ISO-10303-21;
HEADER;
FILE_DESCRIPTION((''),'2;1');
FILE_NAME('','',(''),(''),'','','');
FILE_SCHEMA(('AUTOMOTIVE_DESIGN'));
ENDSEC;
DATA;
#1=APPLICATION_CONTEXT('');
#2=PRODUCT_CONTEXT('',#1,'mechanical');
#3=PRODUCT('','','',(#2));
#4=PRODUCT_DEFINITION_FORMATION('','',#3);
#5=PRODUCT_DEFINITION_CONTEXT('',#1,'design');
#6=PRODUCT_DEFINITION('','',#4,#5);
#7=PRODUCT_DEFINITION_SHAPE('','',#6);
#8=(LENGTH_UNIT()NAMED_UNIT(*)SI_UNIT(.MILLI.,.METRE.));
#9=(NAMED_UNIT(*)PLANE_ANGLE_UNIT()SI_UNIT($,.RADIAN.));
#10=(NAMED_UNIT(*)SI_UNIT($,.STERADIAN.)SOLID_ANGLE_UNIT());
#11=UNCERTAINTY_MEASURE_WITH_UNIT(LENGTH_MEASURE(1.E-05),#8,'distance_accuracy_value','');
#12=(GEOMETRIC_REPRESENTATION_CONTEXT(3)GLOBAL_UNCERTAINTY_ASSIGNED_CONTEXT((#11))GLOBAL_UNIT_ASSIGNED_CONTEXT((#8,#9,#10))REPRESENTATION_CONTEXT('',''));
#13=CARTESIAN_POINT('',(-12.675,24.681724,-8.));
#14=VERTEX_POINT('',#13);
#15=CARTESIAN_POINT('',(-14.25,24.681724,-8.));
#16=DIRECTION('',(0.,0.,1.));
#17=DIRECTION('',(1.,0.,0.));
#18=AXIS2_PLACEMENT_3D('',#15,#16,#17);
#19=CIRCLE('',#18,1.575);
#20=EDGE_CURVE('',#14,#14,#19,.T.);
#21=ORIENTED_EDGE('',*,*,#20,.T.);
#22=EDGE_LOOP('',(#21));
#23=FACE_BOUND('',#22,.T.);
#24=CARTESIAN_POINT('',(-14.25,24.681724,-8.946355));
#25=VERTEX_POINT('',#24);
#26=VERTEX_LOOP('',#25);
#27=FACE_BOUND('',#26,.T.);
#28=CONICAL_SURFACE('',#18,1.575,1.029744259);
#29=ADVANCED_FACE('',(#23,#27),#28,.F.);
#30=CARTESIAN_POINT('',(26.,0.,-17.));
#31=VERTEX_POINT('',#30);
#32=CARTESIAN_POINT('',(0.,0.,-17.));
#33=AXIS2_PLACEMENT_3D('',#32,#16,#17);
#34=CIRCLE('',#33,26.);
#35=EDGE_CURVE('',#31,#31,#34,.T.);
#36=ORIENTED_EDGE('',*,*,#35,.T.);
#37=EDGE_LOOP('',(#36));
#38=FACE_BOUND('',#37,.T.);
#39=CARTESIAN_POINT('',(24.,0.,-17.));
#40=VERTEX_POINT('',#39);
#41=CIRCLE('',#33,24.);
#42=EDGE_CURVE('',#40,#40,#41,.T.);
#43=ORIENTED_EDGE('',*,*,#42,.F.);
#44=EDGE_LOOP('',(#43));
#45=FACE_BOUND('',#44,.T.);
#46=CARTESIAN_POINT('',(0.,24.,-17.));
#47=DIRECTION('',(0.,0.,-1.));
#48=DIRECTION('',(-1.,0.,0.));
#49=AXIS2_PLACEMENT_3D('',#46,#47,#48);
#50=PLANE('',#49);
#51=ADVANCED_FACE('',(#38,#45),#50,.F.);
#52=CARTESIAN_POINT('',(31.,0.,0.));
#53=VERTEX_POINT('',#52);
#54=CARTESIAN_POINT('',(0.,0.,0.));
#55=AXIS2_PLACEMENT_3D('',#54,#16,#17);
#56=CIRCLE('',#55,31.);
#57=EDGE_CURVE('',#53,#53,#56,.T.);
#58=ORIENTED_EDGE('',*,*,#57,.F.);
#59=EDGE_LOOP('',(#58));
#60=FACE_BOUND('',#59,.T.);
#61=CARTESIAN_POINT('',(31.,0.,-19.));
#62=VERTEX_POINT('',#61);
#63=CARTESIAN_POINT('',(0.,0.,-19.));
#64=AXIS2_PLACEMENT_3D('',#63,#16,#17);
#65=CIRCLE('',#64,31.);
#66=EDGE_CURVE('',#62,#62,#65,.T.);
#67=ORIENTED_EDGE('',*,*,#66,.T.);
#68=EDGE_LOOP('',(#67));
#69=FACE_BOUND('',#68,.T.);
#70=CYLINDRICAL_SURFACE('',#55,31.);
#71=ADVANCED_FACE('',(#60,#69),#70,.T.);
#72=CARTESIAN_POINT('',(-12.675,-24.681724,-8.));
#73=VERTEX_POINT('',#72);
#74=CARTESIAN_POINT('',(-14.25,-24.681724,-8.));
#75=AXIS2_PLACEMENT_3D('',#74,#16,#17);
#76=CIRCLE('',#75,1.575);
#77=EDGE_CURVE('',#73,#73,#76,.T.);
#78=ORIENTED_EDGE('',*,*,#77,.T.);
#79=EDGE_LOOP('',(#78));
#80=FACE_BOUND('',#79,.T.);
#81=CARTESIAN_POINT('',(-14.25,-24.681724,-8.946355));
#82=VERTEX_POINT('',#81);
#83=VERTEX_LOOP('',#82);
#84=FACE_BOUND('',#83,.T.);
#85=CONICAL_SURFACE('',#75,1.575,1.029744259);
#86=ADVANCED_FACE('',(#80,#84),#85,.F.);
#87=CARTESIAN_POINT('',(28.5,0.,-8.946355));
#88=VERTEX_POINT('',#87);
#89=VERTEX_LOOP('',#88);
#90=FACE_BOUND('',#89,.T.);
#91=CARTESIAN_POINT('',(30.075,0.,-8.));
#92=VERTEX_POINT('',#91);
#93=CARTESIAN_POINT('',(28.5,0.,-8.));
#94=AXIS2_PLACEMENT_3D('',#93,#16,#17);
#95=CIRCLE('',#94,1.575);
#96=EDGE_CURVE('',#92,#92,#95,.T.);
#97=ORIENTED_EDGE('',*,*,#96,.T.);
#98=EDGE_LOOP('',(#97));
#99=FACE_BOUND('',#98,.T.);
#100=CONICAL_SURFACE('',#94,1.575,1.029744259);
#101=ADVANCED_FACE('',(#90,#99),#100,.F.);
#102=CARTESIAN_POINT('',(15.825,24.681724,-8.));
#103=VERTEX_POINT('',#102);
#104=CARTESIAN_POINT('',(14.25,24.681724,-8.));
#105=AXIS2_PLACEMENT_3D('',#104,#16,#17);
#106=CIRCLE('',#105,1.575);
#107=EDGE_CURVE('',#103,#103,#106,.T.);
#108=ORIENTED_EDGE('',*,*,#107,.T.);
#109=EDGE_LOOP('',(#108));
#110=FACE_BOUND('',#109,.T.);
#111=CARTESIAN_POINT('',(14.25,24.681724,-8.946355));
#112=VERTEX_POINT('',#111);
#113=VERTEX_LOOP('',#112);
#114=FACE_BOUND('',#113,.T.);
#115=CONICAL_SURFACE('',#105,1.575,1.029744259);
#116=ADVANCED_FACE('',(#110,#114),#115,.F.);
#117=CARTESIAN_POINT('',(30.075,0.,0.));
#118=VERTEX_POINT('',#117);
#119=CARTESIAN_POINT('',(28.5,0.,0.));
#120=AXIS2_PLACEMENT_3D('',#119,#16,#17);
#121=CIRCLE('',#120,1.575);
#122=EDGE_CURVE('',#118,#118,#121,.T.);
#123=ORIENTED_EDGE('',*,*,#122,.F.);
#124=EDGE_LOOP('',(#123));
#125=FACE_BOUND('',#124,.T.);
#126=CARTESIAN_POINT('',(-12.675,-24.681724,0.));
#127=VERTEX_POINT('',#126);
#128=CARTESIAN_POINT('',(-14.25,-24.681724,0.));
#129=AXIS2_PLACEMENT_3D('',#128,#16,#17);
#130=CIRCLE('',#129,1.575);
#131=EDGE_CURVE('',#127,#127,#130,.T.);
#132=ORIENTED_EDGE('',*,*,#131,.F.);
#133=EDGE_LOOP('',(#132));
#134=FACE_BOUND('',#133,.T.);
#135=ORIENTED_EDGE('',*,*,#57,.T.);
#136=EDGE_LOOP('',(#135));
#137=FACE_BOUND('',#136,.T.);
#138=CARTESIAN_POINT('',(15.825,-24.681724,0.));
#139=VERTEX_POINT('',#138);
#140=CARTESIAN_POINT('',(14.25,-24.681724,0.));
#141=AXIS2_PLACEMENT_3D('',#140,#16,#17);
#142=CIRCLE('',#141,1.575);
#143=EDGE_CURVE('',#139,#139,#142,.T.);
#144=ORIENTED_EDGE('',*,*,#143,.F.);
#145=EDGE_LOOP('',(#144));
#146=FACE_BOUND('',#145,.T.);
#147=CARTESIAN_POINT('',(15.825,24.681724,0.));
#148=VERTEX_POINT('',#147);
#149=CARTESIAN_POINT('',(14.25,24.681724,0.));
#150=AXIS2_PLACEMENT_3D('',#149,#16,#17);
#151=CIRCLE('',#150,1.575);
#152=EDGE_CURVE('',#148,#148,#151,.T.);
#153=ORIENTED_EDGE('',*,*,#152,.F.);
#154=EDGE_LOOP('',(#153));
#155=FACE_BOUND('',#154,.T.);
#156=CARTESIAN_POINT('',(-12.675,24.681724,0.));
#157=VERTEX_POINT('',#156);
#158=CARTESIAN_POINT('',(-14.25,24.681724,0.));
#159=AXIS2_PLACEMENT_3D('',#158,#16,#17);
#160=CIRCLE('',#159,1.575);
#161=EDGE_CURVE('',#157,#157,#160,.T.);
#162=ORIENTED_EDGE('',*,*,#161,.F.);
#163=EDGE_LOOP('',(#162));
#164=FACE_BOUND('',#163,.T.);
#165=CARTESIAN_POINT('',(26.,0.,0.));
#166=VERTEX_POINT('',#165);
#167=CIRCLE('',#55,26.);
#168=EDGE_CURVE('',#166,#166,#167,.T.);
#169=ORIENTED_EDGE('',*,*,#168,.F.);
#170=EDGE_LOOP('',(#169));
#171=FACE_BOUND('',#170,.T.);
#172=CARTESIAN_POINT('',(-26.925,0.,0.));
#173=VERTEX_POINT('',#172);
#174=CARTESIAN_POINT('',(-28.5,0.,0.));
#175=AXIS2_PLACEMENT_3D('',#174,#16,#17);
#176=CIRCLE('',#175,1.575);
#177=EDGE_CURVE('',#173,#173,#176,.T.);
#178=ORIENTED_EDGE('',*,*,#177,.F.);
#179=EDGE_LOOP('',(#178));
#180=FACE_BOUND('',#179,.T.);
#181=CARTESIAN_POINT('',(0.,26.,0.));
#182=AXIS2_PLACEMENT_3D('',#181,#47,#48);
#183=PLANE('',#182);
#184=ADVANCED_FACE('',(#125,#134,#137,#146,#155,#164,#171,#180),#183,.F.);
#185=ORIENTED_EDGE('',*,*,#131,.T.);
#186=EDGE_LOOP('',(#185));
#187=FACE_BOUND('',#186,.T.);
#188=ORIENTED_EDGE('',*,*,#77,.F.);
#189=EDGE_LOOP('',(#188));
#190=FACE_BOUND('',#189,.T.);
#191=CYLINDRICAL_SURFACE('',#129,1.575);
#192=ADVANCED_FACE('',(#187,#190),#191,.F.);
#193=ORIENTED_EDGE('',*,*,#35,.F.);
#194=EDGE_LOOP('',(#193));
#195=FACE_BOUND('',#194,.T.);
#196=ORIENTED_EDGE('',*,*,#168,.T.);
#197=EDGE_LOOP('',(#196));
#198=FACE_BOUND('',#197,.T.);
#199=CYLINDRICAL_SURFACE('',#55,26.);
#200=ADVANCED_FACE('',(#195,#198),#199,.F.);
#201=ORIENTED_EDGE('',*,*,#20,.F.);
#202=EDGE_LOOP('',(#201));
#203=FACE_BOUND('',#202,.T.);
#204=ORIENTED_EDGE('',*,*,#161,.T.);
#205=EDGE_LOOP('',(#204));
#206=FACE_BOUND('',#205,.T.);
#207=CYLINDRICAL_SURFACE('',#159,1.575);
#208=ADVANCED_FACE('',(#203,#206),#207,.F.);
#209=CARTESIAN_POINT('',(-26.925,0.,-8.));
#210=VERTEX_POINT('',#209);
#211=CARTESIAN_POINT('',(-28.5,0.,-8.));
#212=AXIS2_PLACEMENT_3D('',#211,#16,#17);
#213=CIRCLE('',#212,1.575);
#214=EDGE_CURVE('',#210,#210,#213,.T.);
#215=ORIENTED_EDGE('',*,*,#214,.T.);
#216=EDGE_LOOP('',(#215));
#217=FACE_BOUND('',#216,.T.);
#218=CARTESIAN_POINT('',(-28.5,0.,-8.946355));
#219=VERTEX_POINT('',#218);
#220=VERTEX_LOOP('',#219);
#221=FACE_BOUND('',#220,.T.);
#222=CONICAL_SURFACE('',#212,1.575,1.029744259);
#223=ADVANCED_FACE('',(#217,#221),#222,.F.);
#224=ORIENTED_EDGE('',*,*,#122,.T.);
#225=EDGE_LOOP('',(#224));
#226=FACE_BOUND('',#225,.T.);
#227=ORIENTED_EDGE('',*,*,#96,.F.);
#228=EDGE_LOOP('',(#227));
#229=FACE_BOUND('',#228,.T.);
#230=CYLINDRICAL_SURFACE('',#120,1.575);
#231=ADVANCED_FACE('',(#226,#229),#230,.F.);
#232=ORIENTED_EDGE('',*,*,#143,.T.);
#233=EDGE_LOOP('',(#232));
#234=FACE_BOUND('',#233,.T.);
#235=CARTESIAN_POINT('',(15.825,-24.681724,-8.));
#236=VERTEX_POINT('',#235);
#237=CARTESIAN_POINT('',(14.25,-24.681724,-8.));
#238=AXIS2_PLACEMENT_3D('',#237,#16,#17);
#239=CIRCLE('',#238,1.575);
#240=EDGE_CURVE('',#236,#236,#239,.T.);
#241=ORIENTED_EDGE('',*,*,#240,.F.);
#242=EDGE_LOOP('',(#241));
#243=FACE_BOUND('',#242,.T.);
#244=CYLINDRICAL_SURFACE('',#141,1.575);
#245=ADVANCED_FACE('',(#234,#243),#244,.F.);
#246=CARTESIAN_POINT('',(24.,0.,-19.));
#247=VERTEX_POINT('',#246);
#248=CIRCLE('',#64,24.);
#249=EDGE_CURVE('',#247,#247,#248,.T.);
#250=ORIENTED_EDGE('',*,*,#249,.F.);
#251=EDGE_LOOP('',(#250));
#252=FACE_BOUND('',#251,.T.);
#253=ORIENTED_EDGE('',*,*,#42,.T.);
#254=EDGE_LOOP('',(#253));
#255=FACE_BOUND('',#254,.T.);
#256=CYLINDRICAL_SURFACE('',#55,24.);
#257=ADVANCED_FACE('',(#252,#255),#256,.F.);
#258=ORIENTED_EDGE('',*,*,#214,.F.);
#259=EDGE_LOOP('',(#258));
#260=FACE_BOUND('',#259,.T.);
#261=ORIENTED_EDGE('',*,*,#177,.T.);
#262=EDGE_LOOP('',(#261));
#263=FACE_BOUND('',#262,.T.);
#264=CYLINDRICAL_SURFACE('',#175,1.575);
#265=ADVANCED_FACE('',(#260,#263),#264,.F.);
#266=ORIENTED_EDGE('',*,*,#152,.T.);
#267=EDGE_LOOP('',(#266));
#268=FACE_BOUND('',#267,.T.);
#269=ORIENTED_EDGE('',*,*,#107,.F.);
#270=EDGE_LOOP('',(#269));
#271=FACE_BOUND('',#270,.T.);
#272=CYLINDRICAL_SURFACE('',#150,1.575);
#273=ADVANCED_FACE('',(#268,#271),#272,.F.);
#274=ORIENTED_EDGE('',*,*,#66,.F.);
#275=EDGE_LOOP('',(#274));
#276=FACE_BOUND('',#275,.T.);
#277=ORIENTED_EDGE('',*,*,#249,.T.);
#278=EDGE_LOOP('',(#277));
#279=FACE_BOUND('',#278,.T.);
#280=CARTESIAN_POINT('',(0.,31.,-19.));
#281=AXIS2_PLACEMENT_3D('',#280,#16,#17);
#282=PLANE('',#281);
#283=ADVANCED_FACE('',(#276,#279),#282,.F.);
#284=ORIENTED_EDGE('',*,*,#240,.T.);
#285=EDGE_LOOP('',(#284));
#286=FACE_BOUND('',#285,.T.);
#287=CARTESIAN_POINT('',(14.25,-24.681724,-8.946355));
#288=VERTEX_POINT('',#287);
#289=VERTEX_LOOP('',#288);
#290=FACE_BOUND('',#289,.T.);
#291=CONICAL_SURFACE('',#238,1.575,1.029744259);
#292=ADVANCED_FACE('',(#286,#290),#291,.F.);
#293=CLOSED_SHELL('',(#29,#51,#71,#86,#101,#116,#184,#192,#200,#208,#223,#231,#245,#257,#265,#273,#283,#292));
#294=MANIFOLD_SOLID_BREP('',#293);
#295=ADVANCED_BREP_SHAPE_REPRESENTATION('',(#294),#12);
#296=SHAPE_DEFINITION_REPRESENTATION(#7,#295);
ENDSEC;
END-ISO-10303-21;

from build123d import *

# Parameters (mm, degrees)
PATTERN_CIRCULAR_1_COUNT = 6


with BuildPart() as part:
    # Эскиз1 → Повернуть1 (revolve)
    with BuildSketch(Plane(origin=(0, 0, 0), x_dir=(0, 0, -1), z_dir=(1, 0, 0)), mode=Mode.PRIVATE) as revolve_1_sk:
        Polygon((0, 31), (19, 31), (19, 24), (17, 24), (17, 26), (0, 26), align=None)
    revolve(revolve_1_sk.sketch.rotate(Axis((0, 0, 0), (0, 0, -1)), 90), axis=Axis((0, 0, 0), (0, 0, -1)))

    # Эскиз3 → Сверло под метчик  спиральное M31 (revolve, cut)
    with BuildSketch(Plane(origin=(28.5, 0, 0), x_dir=(0, -1, 0), z_dir=(1, 0, 0))):
        Polygon((0, 0), (0, 8.946355475), (1.575, 8), (1.575, 0), align=None)
    hole_wizard_m31 = revolve(axis=Axis((28.5, 0, 6.35), (0, 0, -1)), mode=Mode.SUBTRACT)

    # Круговой массив1: Сверло под метчик  спиральное M31 ×6 about axis
    pattern_circular_1_axis = Axis((0, 0, 0), (0, 0, 1))
    for i in range(1, PATTERN_CIRCULAR_1_COUNT):
        add(hole_wizard_m31.rotate(pattern_circular_1_axis, i * 360 / PATTERN_CIRCULAR_1_COUNT), mode=Mode.SUBTRACT)


solid = part.part
